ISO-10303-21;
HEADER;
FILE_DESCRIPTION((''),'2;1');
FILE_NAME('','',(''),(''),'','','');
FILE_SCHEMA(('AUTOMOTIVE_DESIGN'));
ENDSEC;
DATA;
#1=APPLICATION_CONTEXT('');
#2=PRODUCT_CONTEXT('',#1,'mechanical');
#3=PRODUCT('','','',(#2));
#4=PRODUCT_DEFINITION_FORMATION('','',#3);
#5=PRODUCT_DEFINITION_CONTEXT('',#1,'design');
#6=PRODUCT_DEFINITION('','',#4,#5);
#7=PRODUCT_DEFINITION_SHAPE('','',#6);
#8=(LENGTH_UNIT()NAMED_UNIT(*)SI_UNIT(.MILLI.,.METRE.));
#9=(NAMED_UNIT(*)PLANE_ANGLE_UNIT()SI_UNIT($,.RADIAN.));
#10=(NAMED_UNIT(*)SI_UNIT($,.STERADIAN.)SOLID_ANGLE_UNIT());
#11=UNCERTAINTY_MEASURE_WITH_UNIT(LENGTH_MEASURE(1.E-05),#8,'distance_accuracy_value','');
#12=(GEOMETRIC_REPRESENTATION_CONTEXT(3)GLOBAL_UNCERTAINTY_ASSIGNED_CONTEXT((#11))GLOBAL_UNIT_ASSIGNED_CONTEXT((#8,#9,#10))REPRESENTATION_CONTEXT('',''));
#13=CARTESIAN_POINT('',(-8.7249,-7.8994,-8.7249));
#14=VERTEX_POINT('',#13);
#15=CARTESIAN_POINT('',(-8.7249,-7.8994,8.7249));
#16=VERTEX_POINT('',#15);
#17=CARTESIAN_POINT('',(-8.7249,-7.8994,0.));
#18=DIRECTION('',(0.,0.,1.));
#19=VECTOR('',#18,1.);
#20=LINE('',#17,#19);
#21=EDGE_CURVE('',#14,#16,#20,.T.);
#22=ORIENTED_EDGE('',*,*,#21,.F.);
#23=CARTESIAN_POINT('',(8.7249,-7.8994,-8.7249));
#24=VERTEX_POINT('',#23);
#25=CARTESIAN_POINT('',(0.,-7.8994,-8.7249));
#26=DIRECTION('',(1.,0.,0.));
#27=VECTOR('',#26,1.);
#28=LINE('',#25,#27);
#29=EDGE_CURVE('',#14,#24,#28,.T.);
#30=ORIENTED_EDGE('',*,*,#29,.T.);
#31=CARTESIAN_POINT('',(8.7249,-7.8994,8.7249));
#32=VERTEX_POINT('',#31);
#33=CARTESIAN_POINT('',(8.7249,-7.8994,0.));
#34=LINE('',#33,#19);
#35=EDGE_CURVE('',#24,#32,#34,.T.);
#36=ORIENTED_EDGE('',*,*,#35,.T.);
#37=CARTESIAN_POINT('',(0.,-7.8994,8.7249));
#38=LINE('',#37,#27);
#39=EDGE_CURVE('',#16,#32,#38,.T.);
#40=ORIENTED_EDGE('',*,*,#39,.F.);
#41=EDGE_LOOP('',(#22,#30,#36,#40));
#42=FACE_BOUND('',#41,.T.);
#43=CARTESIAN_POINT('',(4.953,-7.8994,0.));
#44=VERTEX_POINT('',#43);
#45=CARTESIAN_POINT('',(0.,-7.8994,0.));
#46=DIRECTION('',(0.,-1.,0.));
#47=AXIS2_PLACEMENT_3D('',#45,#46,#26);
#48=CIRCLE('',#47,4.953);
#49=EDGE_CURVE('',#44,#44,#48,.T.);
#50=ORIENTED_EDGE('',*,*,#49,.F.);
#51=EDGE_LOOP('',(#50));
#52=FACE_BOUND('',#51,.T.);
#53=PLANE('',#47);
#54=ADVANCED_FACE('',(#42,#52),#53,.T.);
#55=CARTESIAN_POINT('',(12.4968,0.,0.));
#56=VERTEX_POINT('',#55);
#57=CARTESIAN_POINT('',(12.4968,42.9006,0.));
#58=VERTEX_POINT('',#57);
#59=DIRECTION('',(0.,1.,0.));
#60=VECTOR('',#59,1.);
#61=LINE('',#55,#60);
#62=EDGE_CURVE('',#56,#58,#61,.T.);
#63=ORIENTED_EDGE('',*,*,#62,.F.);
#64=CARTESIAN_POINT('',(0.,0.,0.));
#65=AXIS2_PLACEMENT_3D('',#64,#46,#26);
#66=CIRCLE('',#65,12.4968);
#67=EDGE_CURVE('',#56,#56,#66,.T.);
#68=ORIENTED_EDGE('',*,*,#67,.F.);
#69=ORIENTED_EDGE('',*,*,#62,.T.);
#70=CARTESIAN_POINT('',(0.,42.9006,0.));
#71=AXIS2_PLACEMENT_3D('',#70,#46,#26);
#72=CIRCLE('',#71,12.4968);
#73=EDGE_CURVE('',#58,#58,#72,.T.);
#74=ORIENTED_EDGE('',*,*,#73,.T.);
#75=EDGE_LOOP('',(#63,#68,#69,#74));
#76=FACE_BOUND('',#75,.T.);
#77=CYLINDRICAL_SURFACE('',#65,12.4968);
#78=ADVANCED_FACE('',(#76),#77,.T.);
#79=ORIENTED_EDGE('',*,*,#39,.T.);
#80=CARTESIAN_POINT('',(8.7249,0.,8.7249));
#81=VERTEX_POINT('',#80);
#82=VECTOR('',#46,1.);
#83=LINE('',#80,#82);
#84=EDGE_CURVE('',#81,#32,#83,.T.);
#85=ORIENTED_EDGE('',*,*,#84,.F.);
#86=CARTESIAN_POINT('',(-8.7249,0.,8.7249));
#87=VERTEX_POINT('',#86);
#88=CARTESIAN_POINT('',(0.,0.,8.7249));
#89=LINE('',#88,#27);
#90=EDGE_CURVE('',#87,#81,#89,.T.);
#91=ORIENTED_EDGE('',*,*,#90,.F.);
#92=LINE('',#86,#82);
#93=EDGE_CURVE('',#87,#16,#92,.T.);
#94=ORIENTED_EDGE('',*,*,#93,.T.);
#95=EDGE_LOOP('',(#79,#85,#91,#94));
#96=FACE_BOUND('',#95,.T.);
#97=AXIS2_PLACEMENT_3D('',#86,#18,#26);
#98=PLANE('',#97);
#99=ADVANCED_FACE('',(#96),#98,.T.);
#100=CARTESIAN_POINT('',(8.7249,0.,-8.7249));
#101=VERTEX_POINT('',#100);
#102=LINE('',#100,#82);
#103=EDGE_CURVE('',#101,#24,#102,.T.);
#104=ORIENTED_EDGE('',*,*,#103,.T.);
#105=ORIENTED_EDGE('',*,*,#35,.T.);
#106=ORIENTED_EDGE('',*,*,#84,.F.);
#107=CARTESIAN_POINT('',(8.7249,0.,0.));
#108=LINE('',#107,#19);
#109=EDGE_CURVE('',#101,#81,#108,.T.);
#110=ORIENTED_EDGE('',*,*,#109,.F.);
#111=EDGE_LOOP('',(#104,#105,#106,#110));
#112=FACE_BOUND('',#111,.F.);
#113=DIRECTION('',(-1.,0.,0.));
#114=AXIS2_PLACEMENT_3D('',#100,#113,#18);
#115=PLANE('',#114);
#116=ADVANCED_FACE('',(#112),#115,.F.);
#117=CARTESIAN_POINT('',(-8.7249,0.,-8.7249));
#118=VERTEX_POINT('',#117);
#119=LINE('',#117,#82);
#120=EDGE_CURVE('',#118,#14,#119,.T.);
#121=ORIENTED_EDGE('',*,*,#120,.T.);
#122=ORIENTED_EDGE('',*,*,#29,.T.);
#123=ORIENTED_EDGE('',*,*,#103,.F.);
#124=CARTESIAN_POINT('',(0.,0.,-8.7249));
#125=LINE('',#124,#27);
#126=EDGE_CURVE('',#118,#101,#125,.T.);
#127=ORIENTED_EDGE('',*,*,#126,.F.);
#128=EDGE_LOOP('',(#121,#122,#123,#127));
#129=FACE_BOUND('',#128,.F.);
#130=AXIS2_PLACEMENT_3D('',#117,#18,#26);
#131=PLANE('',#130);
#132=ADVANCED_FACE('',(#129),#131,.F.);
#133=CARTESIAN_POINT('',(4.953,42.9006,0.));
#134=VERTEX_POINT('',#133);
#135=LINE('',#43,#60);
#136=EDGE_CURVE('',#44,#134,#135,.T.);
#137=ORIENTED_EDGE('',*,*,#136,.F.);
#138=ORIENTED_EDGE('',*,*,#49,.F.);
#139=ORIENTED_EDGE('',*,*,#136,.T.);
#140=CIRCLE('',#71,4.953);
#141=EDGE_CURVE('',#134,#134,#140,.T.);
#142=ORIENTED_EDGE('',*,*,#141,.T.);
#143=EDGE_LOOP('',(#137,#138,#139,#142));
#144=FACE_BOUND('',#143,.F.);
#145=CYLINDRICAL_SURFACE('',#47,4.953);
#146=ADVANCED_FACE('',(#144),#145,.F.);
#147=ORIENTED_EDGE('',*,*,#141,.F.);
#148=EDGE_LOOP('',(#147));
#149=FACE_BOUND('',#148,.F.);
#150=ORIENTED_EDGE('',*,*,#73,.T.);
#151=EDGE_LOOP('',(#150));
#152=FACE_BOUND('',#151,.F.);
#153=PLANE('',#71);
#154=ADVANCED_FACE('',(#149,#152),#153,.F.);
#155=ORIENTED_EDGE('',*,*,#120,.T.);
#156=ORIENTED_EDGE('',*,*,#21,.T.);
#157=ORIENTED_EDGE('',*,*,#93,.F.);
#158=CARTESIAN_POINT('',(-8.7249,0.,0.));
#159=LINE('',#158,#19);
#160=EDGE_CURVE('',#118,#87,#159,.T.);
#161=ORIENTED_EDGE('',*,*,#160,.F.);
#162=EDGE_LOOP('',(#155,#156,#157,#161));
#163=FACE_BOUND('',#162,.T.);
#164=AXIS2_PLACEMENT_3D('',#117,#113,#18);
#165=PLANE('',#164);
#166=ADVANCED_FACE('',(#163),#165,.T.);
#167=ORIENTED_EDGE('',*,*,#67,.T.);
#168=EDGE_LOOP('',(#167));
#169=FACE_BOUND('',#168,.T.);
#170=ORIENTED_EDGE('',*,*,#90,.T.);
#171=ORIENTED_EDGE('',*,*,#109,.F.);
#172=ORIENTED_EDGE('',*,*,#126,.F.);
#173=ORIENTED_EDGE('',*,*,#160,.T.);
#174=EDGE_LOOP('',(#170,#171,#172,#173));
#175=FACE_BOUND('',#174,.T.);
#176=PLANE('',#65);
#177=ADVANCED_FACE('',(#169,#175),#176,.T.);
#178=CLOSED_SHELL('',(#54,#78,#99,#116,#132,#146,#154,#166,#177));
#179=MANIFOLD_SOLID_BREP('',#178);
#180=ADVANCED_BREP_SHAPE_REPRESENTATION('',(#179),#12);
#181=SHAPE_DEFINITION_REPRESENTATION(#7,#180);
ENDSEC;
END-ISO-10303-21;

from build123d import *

# Parameters (mm, degrees)
F0_R     = 12.4968
F1_DEPTH = 42.9006
F2_W     = 17.4498
F2_H     = 17.4498
F3_DEPTH = 7.8994
F4_R     = 4.953
F5_DEPTH = 50.8


with BuildPart() as f1:
    # F0 (on Front) → F1 (new body)
    with BuildSketch(Plane.XZ):
        Circle(F0_R)
    extrude(amount=-F1_DEPTH)

    # F2 (on face) → F3 (join)
    with BuildSketch(Plane.XZ):
        Rectangle(F2_W, F2_H)
    extrude(amount=F3_DEPTH)

    # F4 (on face) → F5 (cut)
    with BuildSketch(Plane.XZ.offset(7.8994)):
        Circle(F4_R)
    extrude(amount=-F5_DEPTH, mode=Mode.SUBTRACT)


solid = f1.part
